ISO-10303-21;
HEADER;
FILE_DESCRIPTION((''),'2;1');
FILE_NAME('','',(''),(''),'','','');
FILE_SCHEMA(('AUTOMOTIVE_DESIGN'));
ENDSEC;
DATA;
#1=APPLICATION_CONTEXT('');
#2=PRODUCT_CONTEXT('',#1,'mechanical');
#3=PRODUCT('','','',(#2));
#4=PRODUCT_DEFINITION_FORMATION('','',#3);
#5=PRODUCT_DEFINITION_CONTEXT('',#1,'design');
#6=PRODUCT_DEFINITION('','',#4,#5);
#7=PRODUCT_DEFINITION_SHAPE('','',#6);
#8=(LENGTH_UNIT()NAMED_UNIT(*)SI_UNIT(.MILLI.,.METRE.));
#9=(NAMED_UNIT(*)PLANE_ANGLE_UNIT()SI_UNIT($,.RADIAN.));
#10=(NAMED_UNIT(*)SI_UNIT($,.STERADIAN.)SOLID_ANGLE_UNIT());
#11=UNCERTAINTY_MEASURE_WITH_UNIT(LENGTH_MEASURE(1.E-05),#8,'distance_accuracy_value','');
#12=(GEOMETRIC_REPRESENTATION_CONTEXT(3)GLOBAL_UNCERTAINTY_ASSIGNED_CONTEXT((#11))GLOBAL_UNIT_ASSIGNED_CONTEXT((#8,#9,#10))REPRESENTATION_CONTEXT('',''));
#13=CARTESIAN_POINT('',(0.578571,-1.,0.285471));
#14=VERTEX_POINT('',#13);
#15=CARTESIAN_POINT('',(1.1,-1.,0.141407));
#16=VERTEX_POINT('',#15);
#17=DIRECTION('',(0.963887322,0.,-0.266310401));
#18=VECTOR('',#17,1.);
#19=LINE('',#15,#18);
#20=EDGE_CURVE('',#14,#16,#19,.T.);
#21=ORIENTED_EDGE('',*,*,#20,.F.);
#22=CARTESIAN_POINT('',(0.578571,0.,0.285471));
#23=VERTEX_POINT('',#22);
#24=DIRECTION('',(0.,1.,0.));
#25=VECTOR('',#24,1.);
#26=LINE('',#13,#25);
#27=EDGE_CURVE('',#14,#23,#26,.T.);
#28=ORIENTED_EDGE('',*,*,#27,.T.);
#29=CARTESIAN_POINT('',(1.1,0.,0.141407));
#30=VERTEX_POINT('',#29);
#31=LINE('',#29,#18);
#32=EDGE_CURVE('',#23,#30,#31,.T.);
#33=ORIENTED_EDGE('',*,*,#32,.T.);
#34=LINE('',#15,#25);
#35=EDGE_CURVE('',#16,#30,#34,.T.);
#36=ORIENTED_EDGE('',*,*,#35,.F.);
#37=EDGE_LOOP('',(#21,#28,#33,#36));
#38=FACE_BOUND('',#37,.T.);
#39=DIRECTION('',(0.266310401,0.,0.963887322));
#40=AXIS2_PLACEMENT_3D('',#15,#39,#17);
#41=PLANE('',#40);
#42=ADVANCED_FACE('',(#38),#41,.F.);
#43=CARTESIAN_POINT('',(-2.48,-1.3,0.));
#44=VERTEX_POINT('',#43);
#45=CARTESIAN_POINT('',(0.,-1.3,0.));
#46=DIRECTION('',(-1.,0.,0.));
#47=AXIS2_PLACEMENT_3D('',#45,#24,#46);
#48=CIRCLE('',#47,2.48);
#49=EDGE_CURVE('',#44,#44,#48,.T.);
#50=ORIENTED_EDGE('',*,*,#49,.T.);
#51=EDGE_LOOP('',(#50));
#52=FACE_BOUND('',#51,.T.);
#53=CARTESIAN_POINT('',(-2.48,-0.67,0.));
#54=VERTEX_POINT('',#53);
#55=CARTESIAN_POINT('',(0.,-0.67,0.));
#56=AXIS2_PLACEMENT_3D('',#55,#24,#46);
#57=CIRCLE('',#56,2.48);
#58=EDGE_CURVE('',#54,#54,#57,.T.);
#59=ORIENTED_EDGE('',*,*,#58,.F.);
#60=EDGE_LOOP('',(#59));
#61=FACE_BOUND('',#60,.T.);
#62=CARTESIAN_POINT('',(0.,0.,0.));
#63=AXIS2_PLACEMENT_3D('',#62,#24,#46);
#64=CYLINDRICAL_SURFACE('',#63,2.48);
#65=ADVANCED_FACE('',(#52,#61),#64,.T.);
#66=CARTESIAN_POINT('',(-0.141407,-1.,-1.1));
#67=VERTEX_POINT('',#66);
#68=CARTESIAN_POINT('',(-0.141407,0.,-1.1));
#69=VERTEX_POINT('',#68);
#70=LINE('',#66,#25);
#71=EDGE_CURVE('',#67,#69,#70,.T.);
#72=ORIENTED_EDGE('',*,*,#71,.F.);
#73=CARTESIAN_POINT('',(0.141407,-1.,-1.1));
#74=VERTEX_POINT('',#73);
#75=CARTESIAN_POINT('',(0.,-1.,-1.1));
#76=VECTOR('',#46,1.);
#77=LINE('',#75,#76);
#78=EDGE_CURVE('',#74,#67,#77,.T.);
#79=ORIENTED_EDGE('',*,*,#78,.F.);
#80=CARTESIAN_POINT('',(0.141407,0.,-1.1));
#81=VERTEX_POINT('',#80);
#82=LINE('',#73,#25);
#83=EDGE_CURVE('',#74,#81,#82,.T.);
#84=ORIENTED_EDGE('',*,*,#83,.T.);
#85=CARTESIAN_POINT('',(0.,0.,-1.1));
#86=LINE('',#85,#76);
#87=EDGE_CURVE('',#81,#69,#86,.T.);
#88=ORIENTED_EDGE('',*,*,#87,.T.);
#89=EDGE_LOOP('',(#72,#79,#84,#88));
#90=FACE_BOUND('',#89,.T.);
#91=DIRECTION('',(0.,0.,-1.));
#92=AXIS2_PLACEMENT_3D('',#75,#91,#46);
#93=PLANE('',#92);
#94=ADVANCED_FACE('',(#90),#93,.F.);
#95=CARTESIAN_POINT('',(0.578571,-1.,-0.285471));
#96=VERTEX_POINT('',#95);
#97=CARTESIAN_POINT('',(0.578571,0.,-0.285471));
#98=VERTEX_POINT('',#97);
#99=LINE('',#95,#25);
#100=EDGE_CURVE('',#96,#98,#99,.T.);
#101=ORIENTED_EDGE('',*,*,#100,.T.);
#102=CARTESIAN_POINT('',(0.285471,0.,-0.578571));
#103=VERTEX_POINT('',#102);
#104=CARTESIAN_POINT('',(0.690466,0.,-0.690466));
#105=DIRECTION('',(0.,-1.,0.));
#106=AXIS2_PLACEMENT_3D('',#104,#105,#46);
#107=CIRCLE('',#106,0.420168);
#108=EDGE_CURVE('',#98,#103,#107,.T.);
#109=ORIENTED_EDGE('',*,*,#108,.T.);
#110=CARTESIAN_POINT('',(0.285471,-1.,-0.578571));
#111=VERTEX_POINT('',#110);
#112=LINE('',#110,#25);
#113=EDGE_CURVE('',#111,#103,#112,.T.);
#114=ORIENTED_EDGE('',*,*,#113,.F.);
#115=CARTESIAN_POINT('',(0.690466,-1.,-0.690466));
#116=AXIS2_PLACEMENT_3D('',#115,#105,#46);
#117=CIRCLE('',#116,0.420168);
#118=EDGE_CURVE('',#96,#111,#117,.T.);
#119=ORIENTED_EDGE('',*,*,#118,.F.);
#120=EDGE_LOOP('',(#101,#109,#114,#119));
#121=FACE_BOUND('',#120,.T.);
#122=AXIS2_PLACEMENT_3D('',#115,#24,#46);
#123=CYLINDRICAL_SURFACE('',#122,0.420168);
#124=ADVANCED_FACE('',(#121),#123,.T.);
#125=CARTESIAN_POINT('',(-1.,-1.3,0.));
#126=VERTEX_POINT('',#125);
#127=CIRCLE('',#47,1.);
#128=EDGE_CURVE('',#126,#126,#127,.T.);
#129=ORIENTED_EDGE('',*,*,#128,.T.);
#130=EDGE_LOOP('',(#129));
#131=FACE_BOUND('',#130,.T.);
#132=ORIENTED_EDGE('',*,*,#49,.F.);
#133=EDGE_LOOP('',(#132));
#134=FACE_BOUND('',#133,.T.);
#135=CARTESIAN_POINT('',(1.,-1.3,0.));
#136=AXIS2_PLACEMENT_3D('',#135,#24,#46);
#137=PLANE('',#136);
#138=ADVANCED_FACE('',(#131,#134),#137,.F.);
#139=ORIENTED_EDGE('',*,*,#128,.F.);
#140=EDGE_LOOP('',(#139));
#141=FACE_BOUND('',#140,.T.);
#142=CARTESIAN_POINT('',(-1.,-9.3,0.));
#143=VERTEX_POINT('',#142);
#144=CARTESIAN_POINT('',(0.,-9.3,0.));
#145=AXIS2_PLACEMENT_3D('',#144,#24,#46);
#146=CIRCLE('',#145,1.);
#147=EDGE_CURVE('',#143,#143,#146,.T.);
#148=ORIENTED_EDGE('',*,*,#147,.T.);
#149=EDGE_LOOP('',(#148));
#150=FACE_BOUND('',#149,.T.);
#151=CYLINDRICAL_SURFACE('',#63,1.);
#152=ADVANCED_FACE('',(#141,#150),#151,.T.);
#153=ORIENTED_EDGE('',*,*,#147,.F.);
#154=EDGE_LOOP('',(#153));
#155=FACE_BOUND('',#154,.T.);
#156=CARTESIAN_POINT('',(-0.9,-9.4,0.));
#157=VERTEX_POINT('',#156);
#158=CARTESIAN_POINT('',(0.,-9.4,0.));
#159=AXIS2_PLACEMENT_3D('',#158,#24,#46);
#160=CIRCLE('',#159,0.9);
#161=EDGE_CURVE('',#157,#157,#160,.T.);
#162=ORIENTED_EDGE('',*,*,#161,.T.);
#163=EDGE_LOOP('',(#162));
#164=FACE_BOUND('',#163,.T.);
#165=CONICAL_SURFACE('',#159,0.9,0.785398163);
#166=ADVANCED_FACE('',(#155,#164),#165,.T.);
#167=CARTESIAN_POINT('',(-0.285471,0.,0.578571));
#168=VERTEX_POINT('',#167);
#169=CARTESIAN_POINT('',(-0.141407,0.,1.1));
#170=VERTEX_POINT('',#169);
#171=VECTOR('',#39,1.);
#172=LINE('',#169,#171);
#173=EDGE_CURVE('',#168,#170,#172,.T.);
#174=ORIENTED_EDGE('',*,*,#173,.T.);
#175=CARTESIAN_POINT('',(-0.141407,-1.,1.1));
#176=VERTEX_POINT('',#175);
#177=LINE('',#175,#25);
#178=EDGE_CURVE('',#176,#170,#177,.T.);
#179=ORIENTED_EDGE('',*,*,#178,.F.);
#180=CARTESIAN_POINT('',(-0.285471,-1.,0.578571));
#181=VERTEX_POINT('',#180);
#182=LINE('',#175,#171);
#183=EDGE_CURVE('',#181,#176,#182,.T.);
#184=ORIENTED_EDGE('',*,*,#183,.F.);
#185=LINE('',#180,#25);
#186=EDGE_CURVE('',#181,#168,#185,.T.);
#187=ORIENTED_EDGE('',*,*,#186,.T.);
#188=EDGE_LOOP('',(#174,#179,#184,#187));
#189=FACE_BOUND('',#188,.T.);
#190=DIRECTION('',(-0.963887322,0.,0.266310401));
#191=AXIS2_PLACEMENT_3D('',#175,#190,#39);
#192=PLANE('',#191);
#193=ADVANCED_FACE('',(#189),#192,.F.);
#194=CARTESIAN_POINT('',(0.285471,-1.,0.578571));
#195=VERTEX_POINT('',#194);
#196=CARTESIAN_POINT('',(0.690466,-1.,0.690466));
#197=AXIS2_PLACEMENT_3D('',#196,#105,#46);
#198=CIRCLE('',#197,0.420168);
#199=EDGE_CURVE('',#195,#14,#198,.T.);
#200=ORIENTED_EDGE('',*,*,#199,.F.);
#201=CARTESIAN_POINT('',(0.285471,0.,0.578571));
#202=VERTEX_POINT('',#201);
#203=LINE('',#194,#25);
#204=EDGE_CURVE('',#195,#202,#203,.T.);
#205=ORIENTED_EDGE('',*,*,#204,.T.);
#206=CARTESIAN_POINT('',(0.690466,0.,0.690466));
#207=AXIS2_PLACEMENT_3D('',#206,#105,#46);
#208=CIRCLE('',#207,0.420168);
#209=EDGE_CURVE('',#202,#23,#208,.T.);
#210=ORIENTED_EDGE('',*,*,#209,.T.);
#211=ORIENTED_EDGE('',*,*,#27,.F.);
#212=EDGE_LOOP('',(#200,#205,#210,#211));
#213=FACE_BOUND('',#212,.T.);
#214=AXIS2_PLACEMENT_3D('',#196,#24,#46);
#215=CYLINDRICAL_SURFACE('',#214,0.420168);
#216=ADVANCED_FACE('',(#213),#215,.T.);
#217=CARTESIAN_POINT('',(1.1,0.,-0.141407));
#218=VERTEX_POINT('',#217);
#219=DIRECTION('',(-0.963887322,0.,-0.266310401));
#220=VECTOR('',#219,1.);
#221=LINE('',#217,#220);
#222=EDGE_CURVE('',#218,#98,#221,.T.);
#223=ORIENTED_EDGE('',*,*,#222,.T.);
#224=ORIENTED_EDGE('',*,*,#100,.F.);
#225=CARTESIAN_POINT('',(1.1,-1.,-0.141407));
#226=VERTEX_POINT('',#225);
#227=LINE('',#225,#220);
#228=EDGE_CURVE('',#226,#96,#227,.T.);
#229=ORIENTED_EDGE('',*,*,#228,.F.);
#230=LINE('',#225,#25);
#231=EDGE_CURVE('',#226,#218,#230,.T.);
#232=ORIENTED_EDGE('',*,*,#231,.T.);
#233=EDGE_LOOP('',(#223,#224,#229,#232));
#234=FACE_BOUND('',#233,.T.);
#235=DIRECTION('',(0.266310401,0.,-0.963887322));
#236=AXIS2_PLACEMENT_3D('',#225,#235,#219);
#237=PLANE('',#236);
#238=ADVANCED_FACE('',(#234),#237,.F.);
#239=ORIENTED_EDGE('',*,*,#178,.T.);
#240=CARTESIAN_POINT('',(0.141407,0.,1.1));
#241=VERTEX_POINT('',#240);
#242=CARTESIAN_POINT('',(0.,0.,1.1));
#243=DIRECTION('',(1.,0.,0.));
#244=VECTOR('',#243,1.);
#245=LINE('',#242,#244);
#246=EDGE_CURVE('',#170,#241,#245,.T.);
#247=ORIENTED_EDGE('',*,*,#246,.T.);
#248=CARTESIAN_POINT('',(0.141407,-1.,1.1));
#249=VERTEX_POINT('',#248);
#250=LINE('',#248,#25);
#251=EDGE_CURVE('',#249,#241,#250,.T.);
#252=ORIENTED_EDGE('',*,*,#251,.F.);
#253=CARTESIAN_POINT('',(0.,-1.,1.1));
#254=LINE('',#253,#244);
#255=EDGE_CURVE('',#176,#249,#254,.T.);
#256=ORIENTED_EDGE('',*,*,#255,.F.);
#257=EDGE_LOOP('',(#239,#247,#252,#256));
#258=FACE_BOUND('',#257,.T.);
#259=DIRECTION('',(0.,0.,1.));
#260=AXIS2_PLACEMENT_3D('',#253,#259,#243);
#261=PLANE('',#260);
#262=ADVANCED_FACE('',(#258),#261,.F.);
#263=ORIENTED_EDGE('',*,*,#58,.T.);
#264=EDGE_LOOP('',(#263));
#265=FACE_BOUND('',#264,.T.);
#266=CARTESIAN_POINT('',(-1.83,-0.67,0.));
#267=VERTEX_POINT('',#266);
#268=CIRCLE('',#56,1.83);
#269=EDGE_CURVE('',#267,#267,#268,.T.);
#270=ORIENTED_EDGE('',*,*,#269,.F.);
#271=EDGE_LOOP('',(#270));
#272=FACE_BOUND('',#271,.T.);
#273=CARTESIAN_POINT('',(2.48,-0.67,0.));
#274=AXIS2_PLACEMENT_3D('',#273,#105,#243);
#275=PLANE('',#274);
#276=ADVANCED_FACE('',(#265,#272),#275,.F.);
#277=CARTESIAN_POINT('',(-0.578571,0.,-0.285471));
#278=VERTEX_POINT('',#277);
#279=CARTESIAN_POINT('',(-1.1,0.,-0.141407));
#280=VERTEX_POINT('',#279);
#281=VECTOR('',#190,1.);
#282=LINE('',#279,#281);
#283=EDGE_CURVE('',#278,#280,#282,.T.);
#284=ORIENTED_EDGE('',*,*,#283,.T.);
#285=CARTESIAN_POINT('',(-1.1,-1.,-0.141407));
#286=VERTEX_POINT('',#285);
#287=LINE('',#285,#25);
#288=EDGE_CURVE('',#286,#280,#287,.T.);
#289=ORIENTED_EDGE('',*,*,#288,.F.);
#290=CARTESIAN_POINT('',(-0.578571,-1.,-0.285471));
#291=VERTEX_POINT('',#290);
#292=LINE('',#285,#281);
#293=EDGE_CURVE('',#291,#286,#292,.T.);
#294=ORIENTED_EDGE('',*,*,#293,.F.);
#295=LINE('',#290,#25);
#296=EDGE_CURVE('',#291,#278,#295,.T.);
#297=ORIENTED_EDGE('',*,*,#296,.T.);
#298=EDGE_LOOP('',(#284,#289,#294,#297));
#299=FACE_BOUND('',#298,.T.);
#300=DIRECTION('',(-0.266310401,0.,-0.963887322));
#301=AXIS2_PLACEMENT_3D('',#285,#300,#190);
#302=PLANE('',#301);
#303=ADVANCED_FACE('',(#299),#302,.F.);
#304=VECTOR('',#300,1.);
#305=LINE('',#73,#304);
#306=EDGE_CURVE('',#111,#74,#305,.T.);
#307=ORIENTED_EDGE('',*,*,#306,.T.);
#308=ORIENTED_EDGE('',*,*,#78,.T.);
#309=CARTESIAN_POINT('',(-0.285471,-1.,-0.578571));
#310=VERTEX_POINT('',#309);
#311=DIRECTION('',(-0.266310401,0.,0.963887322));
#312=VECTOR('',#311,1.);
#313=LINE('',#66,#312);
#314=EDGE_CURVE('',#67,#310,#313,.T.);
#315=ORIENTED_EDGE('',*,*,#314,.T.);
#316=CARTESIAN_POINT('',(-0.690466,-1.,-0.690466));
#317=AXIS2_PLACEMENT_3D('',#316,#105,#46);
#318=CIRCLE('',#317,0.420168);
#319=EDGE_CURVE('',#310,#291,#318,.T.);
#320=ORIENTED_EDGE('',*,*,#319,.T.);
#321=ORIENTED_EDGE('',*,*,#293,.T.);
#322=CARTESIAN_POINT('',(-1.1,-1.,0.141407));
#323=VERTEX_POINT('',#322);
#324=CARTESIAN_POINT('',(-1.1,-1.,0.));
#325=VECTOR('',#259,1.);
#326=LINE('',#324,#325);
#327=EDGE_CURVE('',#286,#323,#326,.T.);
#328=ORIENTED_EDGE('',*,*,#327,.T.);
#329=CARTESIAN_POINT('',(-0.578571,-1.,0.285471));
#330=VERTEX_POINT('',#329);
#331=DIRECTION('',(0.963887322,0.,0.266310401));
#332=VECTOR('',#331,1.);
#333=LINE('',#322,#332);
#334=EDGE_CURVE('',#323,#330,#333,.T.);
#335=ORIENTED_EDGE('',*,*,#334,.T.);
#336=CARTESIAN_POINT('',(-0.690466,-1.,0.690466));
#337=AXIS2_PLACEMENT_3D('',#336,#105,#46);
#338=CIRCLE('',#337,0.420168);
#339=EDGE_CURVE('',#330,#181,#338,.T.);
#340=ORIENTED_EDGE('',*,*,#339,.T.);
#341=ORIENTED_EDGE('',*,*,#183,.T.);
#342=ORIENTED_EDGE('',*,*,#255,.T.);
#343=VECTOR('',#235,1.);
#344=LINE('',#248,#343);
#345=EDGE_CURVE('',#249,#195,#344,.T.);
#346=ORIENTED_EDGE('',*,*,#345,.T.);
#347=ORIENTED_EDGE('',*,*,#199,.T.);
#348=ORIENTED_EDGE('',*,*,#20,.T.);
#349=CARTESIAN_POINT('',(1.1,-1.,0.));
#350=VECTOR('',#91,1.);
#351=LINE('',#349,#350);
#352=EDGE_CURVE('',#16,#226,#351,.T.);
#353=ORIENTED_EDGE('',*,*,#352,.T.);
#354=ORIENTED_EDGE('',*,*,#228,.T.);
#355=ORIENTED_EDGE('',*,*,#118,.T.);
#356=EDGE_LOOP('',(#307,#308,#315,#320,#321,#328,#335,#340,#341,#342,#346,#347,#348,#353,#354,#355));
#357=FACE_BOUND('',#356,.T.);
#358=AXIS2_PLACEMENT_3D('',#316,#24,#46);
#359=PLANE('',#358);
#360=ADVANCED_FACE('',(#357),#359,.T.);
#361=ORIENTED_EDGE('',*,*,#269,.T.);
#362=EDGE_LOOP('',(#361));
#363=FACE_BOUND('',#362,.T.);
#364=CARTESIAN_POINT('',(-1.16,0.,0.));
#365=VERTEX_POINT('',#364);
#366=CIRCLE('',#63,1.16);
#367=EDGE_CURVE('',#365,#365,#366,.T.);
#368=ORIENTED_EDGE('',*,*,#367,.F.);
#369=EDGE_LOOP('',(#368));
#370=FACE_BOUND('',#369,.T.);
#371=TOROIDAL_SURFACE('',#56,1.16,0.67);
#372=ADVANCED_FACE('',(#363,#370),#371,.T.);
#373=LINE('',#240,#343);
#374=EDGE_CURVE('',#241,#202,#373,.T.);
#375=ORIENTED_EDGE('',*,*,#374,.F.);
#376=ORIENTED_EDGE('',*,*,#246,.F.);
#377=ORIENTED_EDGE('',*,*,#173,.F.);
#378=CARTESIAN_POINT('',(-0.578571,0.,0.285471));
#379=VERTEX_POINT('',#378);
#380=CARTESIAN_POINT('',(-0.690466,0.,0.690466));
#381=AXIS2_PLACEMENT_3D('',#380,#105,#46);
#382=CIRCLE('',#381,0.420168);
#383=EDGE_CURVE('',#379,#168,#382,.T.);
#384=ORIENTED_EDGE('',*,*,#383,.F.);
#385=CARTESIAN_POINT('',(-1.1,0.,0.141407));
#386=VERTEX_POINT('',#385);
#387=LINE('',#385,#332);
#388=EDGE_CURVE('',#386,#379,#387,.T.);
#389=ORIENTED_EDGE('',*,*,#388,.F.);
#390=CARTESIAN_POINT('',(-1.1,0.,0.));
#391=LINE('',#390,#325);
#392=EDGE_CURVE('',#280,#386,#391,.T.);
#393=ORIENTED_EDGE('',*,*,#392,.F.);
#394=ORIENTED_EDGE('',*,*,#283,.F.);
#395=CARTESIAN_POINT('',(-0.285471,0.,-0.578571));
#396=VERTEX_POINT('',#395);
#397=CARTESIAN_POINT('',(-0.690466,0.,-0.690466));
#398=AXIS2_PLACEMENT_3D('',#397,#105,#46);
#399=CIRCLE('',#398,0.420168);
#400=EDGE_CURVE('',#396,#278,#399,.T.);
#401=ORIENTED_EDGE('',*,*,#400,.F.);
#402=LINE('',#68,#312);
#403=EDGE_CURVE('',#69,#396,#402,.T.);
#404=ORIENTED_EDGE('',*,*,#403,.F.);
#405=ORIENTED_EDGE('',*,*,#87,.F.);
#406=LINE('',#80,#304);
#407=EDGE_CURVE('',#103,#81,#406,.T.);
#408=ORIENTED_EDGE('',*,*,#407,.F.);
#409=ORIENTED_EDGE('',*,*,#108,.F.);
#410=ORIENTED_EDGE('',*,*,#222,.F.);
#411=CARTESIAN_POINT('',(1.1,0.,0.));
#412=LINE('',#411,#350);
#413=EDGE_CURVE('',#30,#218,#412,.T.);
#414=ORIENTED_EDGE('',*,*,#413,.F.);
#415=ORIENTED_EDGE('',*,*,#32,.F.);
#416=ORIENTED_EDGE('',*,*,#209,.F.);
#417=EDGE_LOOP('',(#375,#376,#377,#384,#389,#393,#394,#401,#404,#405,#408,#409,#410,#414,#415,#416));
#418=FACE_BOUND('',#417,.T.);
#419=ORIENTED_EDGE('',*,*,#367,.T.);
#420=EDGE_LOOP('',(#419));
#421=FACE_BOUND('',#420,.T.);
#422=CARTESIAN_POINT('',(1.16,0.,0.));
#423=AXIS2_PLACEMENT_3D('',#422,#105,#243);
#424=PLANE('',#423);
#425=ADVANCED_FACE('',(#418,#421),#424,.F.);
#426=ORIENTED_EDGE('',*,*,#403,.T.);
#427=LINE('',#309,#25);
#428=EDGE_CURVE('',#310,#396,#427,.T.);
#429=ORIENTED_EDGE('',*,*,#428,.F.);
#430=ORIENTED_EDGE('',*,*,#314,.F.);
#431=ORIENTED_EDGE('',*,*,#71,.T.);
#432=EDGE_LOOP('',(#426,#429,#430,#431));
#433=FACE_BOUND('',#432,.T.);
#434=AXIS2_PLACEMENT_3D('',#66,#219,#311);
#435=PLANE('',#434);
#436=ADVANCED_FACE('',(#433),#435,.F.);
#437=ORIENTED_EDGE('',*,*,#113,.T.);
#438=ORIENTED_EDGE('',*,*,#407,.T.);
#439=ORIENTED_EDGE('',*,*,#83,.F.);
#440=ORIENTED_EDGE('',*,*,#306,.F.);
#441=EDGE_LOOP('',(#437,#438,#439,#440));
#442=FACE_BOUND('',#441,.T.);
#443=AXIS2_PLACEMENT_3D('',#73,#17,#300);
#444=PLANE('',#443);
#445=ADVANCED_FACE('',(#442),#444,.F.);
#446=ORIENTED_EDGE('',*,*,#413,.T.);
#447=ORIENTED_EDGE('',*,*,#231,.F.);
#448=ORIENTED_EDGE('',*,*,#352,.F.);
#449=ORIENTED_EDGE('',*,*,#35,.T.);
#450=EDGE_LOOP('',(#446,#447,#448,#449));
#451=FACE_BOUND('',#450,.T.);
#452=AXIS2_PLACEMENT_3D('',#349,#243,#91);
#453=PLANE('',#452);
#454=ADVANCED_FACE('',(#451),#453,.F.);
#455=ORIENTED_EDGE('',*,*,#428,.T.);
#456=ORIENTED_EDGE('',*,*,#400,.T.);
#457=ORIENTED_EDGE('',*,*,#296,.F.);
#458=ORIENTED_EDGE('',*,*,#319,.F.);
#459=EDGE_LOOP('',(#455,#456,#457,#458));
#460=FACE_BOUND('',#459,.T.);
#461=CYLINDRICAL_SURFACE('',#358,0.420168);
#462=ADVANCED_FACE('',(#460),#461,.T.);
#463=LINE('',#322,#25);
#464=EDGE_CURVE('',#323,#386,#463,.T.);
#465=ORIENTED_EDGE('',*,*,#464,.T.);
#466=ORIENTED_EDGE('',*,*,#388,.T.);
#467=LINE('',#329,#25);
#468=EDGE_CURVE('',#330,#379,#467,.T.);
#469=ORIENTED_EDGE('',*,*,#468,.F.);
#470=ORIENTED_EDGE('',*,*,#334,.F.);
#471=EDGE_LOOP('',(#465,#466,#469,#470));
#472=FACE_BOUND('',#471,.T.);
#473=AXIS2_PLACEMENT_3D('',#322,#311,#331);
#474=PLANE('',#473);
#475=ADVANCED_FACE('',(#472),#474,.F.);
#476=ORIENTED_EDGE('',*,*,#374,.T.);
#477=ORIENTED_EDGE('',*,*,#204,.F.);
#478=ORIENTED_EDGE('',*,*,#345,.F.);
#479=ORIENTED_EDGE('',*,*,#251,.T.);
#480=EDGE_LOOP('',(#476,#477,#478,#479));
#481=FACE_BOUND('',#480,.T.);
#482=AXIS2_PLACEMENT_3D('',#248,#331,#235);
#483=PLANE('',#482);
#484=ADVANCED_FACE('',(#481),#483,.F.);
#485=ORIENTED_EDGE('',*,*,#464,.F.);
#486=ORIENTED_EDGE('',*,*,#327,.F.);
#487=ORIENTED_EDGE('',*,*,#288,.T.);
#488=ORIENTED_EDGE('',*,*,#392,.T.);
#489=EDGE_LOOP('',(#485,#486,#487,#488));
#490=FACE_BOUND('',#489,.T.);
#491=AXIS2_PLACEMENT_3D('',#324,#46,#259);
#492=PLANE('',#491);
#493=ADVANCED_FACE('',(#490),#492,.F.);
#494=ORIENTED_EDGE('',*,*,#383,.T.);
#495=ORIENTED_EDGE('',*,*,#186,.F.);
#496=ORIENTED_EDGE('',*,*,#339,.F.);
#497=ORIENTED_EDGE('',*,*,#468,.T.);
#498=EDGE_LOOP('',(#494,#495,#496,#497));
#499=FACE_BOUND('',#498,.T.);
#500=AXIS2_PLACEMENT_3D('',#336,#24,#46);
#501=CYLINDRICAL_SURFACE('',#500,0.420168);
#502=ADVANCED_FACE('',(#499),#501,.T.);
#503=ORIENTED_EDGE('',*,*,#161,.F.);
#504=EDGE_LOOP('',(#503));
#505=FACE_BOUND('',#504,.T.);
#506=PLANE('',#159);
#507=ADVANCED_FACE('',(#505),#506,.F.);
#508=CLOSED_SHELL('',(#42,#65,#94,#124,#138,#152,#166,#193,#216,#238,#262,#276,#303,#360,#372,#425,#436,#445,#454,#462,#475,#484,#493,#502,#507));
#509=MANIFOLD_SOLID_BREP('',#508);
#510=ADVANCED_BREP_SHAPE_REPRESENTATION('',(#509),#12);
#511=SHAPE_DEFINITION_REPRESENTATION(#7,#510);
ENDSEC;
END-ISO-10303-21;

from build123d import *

# Parameters (mm, degrees)
CUT_EXTRUDE1_DEPTH = 1


with BuildPart() as part:
    # Sketch1 → Revolve1 (revolve)
    with BuildSketch(Plane.XY):
        with BuildLine():
            Line((0, -9.4), (0.9, -9.4))
            Line((0.9, -9.4), (1, -9.3))
            Line((1, -9.3), (1, -1.3))
            Line((1, -1.3), (2.48, -1.3))
            Line((2.48, -1.3), (2.48, -0.67))
            Line((2.48, -0.67), (1.83, -0.67))
            ThreePointArc((1.83, -0.67), (1.633761543, -0.196238457), (1.16, 0))
            Line((1.16, 0), (0, 0))
            Line((0, 0), (0, -9.4))
        make_face()
    revolve(axis=Axis((0, 0, 0), (0, -1, 0)))

    # Sketch2 → Cut-Extrude1 (cut)
    with BuildSketch(Plane(origin=(0, 0, 0), x_dir=(1, 0, 0), z_dir=(0, 1, 0))):
        with BuildLine():
            Line((0, 1.1), (0.141406897, 1.1))
            Line((0.141406897, 1.1), (0.285471459, 0.578570854))
            ThreePointArc((0.285471459, 0.578570854), (0.393362387, 0.393362387), (0.578570854, 0.285471459))
            Line((0.578570854, 0.285471459), (1.1, 0.141406897))
            Line((1.1, 0.141406897), (1.1, 0))
            Line((1.1, 0), (1.1, -0.141406897))
            Line((1.1, -0.141406897), (0.578570854, -0.285471459))
            ThreePointArc((0.578570854, -0.285471459), (0.393362387, -0.393362387), (0.285471459, -0.578570854))
            Line((0.285471459, -0.578570854), (0.141406897, -1.1))
            Line((0.141406897, -1.1), (0, -1.1))
            Line((0, -1.1), (-0.141406897, -1.1))
            Line((-0.141406897, -1.1), (-0.285471459, -0.578570854))
            ThreePointArc((-0.285471459, -0.578570854), (-0.393362387, -0.393362387), (-0.578570854, -0.285471459))
            Line((-0.578570854, -0.285471459), (-1.1, -0.141406897))
            Line((-1.1, -0.141406897), (-1.1, 0))
            Line((-1.1, 0), (-1.1, 0.141406897))
            Line((-1.1, 0.141406897), (-0.578570854, 0.285471459))
            ThreePointArc((-0.578570854, 0.285471459), (-0.393362387, 0.393362387), (-0.285471459, 0.578570854))
            Line((-0.285471459, 0.578570854), (-0.141406897, 1.1))
            Line((-0.141406897, 1.1), (0, 1.1))
        make_face()
    extrude(amount=-CUT_EXTRUDE1_DEPTH, mode=Mode.SUBTRACT)


solid = part.part
